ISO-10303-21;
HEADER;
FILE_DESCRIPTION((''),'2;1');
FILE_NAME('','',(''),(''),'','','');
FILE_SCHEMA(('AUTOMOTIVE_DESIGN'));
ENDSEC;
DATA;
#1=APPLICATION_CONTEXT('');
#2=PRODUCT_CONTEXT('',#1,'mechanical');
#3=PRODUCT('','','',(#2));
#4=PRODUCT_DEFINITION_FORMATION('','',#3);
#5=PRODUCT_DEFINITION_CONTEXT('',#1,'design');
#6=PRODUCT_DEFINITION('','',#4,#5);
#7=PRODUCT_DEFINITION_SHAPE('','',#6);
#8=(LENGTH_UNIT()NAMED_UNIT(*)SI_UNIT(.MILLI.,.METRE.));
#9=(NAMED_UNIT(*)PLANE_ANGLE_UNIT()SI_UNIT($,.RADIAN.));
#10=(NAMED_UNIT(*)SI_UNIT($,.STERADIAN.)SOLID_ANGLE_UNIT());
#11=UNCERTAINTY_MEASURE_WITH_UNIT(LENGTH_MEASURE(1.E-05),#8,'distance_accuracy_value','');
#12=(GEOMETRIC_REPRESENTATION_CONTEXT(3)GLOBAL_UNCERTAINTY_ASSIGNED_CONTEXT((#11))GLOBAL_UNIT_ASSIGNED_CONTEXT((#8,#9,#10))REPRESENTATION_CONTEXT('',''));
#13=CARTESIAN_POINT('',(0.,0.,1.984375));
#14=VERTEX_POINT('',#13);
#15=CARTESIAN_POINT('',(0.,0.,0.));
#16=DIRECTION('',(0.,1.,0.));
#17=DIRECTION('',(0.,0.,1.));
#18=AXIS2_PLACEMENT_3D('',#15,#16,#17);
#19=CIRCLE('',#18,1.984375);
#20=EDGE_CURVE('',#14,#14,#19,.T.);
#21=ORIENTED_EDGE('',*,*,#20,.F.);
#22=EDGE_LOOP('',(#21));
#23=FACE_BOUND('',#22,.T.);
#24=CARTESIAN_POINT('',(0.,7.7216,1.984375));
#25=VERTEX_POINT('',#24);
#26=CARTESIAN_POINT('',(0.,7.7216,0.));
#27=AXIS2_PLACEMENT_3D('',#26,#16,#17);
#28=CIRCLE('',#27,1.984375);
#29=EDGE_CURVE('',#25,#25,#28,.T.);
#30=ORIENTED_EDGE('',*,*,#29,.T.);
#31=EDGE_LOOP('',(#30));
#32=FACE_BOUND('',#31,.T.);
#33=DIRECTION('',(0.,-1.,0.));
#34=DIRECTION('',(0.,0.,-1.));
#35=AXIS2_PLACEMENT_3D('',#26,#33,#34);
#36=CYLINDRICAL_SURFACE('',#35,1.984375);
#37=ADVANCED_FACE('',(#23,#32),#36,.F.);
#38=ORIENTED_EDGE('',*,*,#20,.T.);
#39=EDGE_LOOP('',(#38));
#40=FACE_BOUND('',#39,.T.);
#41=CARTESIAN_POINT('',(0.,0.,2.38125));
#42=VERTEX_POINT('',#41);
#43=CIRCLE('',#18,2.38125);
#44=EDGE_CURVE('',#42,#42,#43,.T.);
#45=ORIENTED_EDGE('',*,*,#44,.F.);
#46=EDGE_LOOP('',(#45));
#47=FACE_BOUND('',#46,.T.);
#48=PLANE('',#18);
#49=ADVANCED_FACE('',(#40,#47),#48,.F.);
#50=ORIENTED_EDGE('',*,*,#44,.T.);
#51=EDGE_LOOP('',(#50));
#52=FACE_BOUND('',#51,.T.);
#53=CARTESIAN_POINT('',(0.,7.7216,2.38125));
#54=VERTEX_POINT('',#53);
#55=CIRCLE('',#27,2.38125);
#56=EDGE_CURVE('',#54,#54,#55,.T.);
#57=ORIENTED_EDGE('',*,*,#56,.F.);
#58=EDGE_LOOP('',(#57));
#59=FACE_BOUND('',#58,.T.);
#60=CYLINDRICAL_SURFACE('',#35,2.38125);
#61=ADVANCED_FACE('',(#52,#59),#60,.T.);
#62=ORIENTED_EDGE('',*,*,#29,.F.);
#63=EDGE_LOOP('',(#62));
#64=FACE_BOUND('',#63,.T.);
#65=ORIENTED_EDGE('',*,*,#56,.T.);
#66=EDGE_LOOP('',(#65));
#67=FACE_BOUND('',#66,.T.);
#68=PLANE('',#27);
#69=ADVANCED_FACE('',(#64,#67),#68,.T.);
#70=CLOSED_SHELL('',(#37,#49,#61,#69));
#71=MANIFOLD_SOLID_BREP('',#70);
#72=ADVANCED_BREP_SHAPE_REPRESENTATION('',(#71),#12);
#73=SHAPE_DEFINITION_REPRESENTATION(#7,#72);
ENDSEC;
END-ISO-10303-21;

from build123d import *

# Parameters (mm, degrees)
SKETCH1_R      = 2.38125
SKETCH1_R_2    = 1.984375
EXTRUDE1_DEPTH = 7.7216


with BuildPart() as part:
    # Sketch1 → Extrude1 (new body)
    with BuildSketch(Plane(origin=(0, 0, 0), x_dir=(1, 0, 0), z_dir=(0, 1, 0))):
        Circle(SKETCH1_R)
        Circle(SKETCH1_R_2, mode=Mode.SUBTRACT)
    extrude(amount=EXTRUDE1_DEPTH)


solid = part.part
